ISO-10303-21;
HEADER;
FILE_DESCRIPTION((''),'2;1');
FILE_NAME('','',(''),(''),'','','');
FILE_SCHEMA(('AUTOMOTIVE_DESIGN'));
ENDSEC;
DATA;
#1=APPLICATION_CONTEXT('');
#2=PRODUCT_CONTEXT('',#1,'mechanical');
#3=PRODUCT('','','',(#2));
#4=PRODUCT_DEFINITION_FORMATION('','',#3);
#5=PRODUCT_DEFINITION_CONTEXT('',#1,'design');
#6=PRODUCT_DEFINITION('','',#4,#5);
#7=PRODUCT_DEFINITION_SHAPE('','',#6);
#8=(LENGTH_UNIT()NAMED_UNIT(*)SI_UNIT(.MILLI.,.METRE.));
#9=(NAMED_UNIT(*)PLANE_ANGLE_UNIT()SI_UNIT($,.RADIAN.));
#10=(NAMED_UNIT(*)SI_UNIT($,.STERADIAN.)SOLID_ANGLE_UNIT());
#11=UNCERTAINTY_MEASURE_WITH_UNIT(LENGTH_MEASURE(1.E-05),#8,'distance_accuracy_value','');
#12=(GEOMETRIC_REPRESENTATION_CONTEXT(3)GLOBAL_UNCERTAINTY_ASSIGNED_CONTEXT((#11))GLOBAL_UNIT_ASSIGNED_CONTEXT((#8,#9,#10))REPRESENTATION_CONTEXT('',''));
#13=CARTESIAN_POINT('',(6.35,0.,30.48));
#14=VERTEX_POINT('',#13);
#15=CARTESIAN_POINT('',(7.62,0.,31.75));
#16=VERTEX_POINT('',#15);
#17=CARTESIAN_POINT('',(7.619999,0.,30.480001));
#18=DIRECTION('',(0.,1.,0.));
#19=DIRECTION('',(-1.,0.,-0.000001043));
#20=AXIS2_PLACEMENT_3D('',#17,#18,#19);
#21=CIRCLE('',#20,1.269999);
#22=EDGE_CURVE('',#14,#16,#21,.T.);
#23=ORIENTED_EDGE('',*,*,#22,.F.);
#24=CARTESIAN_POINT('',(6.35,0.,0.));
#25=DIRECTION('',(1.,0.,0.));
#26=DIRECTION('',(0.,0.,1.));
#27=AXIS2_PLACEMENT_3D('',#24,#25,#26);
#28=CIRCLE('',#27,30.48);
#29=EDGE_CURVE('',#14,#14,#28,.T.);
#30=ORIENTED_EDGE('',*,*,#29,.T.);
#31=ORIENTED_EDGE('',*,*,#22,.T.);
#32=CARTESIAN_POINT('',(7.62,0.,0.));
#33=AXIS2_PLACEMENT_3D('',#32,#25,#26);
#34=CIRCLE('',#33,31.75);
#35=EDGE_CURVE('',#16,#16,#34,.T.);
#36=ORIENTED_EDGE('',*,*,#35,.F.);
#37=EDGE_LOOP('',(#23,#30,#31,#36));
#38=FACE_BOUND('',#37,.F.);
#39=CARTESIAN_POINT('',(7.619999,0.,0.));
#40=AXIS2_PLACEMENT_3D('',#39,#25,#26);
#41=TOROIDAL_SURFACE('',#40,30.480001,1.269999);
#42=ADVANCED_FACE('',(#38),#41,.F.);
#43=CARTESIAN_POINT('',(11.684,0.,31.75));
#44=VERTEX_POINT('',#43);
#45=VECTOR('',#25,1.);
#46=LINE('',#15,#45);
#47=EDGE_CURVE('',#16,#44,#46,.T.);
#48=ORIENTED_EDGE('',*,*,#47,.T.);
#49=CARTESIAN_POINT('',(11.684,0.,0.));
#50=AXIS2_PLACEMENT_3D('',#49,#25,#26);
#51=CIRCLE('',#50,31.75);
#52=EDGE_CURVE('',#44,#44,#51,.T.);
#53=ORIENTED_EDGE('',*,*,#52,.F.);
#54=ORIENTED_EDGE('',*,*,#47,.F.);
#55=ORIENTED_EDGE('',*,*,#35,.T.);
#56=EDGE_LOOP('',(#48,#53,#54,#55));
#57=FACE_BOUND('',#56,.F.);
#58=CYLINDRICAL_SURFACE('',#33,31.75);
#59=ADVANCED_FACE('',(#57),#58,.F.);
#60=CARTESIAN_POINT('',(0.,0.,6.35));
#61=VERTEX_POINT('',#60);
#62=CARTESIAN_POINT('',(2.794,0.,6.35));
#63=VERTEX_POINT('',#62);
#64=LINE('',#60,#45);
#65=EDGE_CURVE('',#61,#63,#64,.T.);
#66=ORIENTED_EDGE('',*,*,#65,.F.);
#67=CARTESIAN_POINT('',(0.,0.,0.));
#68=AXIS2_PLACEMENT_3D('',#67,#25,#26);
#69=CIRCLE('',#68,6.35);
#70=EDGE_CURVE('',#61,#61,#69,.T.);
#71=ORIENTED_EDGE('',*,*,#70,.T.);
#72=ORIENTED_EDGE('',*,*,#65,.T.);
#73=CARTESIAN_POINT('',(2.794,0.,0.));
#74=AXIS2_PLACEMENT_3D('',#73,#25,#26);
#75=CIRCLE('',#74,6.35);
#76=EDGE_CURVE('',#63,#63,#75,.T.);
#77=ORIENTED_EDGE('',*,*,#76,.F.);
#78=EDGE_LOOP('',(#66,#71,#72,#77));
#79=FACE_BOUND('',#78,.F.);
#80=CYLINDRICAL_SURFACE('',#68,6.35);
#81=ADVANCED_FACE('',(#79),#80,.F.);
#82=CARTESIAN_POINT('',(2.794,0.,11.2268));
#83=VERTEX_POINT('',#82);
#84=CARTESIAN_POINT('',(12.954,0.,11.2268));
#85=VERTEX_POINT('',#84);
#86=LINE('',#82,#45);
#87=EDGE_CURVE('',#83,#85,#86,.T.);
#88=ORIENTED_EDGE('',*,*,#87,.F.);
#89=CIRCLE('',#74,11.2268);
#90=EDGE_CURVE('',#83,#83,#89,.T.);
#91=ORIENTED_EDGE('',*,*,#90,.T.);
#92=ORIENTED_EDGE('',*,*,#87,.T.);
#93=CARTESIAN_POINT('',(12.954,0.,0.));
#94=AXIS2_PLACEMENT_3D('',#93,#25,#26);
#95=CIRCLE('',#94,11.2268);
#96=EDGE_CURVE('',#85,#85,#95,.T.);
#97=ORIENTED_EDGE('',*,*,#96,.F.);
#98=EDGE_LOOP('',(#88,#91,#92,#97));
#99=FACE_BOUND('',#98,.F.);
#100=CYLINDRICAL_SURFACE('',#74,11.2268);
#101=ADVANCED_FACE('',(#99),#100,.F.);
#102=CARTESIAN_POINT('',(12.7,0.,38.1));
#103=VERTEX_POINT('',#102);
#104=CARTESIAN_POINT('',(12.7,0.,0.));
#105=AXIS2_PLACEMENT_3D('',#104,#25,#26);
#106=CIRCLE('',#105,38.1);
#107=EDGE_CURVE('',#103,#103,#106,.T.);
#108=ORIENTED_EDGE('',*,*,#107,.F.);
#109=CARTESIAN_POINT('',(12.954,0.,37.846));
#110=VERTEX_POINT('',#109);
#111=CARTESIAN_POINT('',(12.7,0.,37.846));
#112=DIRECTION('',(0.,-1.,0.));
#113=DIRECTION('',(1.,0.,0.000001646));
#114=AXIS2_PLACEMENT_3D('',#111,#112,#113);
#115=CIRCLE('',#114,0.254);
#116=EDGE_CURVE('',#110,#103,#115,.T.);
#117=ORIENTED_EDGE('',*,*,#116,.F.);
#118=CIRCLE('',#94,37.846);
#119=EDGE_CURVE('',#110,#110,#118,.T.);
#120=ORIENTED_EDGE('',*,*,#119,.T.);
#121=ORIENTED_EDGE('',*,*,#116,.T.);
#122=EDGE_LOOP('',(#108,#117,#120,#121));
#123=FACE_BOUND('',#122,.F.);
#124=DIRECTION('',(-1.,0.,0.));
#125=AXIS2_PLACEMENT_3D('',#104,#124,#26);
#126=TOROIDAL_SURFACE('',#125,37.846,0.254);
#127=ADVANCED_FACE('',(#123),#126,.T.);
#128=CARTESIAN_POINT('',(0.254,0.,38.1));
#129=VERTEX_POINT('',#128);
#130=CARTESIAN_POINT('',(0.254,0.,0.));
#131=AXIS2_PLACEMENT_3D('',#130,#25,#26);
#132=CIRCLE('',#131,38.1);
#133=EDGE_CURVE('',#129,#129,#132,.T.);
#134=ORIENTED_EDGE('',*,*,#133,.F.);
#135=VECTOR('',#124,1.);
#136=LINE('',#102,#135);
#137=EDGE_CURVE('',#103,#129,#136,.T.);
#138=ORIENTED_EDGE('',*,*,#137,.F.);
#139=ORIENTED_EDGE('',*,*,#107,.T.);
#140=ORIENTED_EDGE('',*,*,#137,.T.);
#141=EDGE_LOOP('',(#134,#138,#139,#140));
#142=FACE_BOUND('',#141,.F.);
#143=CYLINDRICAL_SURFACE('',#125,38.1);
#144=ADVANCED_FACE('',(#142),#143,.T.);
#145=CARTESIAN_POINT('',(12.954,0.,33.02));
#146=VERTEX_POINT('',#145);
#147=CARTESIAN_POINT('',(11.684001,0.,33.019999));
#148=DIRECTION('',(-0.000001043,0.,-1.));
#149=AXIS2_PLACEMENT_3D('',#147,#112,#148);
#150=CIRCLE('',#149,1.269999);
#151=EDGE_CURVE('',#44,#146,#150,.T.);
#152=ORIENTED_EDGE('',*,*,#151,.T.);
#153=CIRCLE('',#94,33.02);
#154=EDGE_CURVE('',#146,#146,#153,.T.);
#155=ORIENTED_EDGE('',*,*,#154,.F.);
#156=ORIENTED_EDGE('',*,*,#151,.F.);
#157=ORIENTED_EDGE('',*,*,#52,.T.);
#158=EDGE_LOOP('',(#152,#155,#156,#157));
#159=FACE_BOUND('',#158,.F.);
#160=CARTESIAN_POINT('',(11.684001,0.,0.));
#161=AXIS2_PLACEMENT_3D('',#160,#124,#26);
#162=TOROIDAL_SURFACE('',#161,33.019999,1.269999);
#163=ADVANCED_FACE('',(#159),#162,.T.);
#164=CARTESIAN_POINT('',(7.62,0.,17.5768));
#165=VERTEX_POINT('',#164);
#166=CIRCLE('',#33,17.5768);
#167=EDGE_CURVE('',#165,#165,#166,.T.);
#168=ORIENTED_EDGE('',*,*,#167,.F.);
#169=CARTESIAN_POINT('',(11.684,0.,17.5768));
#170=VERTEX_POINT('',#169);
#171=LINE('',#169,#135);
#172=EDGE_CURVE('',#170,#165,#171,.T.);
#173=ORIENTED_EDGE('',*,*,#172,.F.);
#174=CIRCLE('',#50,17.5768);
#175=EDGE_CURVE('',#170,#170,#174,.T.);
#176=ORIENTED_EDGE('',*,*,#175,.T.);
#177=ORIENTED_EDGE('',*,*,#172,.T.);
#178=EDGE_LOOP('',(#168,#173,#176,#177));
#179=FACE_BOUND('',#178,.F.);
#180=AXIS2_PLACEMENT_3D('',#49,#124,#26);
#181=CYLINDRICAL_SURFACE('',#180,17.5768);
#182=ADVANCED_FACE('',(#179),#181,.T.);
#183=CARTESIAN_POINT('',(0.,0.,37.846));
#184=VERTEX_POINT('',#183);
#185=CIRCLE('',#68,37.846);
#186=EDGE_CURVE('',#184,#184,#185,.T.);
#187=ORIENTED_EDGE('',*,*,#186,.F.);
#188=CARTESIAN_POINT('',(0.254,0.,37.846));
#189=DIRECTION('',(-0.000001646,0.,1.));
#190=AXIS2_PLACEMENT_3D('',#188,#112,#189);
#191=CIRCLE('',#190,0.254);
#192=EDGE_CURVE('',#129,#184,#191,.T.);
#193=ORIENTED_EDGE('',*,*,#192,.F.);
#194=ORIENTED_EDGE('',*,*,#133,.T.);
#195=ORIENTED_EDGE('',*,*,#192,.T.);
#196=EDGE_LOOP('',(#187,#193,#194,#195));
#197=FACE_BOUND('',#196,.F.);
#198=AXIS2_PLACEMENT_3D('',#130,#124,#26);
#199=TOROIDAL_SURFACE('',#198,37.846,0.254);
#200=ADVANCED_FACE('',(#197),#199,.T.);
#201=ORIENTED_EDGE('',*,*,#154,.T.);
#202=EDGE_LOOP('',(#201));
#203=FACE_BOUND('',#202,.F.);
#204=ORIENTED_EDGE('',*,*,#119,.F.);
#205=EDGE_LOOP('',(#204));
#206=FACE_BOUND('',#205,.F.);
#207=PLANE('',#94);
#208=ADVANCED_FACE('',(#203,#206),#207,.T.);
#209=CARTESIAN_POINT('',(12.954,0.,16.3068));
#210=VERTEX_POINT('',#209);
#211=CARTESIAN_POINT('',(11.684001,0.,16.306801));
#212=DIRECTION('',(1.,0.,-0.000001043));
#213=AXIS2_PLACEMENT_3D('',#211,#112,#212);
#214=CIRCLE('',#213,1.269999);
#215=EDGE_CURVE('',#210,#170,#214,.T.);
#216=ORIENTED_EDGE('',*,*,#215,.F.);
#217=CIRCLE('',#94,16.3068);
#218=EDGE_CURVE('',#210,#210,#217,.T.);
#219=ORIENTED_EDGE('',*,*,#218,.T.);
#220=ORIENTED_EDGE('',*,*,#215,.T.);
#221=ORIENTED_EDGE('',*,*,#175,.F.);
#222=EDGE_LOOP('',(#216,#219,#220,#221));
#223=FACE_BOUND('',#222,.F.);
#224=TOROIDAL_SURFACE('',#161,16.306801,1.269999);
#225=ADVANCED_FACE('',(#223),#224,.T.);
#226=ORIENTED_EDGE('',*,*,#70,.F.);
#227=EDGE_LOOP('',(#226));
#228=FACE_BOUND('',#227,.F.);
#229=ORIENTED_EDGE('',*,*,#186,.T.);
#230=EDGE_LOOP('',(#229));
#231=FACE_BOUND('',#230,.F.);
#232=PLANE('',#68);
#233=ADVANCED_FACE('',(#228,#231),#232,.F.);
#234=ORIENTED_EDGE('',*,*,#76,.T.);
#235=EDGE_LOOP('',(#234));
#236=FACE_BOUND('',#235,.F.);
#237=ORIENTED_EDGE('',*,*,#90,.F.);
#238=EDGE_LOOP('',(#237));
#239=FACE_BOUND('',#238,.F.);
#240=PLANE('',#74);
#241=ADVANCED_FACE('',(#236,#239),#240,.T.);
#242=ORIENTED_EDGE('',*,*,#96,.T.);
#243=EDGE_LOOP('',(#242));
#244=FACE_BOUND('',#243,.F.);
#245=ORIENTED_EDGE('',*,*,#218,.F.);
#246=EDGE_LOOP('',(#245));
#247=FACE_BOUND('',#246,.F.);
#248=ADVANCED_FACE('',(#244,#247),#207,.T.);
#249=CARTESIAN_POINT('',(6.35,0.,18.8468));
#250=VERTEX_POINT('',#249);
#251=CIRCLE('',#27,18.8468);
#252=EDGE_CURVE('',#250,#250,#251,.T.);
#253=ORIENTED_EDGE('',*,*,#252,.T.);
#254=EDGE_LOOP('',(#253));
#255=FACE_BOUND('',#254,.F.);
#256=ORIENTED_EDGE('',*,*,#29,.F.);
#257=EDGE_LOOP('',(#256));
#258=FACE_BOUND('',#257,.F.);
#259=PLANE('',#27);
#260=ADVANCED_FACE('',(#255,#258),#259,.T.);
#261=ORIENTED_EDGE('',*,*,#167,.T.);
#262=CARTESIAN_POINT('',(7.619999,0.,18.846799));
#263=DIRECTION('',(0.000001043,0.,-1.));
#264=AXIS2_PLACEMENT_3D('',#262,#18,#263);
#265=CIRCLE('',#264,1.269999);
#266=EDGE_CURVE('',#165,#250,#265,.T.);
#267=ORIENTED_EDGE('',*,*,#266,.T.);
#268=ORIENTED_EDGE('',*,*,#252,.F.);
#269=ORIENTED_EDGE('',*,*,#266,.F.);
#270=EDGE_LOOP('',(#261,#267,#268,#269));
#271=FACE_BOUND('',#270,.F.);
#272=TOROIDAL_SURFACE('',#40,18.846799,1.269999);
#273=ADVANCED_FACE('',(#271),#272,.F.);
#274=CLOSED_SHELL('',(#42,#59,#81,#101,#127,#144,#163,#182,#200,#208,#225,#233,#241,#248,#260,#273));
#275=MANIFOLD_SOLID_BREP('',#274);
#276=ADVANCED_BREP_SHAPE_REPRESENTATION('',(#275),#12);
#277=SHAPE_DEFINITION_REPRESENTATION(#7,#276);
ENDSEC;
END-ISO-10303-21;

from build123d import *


with BuildPart() as f1:
    # F0 (on Front) → F1 (revolve)
    with BuildSketch(Plane.XZ):
        with BuildLine():
            Line((12.7, 38.1), (0.254, 38.1))
            ThreePointArc((0.254, 38.1), (0.074395, 38.025605), (0, 37.846))
            Line((0, 37.846), (0, 6.35))
            Line((0, 6.35), (2.794, 6.35))
            Line((2.794, 6.35), (2.794, 11.2268))
            Line((2.794, 11.2268), (12.954, 11.2268))
            Line((12.954, 11.2268), (12.954, 16.3068))
            ThreePointArc((12.954, 16.3068), (12.582026, 17.204826), (11.684, 17.5768))
            Line((11.684, 17.5768), (7.62, 17.5768))
            ThreePointArc((7.62, 17.5768), (6.721974, 17.948774), (6.35, 18.8468))
            Line((6.35, 18.8468), (6.35, 30.48))
            ThreePointArc((6.35, 30.48), (6.721974, 31.378026), (7.62, 31.75))
            Line((7.62, 31.75), (11.684, 31.75))
            ThreePointArc((11.684, 31.75), (12.582026, 32.121974), (12.954, 33.02))
            Line((12.954, 33.02), (12.954, 37.846))
            ThreePointArc((12.954, 37.846), (12.879605, 38.025605), (12.7, 38.1))
        make_face()
    revolve(axis=Axis((23.369942, 0, 0), (1, 0, 0)))


solid = f1.part
